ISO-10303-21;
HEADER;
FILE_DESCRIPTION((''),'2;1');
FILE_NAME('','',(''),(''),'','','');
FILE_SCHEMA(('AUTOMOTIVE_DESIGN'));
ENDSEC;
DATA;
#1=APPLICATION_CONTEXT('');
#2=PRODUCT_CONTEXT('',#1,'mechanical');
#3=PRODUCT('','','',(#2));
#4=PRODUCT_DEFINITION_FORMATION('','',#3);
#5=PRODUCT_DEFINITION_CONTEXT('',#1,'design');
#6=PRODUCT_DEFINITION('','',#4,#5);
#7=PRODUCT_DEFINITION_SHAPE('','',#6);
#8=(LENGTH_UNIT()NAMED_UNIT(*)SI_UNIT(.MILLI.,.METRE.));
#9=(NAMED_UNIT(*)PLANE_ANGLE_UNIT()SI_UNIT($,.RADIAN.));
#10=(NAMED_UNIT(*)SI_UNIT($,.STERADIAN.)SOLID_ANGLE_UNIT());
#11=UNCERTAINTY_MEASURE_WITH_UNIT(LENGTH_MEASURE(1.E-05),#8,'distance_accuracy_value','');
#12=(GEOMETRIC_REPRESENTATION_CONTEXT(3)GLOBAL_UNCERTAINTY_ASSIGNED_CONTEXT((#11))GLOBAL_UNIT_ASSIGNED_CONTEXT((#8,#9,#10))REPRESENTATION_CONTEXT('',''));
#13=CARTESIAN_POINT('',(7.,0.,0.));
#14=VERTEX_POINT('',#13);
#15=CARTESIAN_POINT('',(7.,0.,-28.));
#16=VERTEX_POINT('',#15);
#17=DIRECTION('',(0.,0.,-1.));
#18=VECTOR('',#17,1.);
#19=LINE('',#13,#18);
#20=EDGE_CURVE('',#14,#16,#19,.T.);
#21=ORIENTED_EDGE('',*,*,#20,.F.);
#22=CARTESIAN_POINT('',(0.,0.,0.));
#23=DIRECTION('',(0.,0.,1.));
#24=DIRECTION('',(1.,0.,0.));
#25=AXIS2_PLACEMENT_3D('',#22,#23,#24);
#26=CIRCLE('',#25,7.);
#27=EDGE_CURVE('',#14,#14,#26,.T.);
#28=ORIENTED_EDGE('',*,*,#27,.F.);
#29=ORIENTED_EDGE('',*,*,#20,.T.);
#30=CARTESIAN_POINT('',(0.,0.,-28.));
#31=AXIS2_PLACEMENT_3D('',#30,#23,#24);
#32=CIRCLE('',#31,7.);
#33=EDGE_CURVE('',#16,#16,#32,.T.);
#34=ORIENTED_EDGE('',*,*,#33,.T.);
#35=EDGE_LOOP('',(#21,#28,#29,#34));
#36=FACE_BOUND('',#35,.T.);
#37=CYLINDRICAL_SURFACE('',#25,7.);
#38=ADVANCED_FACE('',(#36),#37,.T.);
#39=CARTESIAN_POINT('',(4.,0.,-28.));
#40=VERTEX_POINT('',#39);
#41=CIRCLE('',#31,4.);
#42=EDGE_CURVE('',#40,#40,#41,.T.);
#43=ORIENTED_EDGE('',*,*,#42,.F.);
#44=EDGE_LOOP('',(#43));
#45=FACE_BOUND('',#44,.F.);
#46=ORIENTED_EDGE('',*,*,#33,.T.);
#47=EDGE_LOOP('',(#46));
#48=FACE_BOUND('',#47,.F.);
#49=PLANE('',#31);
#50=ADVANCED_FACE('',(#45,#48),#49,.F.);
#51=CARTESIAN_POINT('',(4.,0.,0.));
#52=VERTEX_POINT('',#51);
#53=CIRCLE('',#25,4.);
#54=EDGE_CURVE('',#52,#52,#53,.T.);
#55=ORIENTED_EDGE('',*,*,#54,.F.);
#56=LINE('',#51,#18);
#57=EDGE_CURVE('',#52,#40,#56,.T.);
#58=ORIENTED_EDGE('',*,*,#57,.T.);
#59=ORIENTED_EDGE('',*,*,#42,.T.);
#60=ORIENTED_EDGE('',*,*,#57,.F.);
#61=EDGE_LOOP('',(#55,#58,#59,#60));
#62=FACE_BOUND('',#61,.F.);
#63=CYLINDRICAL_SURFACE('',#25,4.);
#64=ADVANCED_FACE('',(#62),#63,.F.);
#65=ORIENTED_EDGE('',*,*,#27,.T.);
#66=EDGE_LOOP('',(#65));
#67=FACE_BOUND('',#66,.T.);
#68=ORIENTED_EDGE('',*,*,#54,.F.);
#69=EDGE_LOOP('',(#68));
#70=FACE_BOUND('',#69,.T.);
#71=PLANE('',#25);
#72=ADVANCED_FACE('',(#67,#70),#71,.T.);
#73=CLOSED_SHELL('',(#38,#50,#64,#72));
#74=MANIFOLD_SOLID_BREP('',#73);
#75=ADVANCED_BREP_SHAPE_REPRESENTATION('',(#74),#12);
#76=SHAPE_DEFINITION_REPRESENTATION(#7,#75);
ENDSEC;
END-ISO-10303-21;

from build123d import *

# Parameters (mm, degrees)
SKETCH1_R           = 7
BOSS_EXTRUDE2_DEPTH = 28
SKETCH2_R           = 4
CUT_EXTRUDE1_DEPTH  = 29


with BuildPart() as part:
    # Sketch1 → Boss-Extrude2 (new body)
    with BuildSketch(Plane.XY):
        Circle(SKETCH1_R)
    extrude(amount=-BOSS_EXTRUDE2_DEPTH)

    # Sketch2 → Cut-Extrude1 (cut, through all)
    with BuildSketch(Plane.XY):
        Circle(SKETCH2_R)
    extrude(amount=-CUT_EXTRUDE1_DEPTH, mode=Mode.SUBTRACT)


solid = part.part
